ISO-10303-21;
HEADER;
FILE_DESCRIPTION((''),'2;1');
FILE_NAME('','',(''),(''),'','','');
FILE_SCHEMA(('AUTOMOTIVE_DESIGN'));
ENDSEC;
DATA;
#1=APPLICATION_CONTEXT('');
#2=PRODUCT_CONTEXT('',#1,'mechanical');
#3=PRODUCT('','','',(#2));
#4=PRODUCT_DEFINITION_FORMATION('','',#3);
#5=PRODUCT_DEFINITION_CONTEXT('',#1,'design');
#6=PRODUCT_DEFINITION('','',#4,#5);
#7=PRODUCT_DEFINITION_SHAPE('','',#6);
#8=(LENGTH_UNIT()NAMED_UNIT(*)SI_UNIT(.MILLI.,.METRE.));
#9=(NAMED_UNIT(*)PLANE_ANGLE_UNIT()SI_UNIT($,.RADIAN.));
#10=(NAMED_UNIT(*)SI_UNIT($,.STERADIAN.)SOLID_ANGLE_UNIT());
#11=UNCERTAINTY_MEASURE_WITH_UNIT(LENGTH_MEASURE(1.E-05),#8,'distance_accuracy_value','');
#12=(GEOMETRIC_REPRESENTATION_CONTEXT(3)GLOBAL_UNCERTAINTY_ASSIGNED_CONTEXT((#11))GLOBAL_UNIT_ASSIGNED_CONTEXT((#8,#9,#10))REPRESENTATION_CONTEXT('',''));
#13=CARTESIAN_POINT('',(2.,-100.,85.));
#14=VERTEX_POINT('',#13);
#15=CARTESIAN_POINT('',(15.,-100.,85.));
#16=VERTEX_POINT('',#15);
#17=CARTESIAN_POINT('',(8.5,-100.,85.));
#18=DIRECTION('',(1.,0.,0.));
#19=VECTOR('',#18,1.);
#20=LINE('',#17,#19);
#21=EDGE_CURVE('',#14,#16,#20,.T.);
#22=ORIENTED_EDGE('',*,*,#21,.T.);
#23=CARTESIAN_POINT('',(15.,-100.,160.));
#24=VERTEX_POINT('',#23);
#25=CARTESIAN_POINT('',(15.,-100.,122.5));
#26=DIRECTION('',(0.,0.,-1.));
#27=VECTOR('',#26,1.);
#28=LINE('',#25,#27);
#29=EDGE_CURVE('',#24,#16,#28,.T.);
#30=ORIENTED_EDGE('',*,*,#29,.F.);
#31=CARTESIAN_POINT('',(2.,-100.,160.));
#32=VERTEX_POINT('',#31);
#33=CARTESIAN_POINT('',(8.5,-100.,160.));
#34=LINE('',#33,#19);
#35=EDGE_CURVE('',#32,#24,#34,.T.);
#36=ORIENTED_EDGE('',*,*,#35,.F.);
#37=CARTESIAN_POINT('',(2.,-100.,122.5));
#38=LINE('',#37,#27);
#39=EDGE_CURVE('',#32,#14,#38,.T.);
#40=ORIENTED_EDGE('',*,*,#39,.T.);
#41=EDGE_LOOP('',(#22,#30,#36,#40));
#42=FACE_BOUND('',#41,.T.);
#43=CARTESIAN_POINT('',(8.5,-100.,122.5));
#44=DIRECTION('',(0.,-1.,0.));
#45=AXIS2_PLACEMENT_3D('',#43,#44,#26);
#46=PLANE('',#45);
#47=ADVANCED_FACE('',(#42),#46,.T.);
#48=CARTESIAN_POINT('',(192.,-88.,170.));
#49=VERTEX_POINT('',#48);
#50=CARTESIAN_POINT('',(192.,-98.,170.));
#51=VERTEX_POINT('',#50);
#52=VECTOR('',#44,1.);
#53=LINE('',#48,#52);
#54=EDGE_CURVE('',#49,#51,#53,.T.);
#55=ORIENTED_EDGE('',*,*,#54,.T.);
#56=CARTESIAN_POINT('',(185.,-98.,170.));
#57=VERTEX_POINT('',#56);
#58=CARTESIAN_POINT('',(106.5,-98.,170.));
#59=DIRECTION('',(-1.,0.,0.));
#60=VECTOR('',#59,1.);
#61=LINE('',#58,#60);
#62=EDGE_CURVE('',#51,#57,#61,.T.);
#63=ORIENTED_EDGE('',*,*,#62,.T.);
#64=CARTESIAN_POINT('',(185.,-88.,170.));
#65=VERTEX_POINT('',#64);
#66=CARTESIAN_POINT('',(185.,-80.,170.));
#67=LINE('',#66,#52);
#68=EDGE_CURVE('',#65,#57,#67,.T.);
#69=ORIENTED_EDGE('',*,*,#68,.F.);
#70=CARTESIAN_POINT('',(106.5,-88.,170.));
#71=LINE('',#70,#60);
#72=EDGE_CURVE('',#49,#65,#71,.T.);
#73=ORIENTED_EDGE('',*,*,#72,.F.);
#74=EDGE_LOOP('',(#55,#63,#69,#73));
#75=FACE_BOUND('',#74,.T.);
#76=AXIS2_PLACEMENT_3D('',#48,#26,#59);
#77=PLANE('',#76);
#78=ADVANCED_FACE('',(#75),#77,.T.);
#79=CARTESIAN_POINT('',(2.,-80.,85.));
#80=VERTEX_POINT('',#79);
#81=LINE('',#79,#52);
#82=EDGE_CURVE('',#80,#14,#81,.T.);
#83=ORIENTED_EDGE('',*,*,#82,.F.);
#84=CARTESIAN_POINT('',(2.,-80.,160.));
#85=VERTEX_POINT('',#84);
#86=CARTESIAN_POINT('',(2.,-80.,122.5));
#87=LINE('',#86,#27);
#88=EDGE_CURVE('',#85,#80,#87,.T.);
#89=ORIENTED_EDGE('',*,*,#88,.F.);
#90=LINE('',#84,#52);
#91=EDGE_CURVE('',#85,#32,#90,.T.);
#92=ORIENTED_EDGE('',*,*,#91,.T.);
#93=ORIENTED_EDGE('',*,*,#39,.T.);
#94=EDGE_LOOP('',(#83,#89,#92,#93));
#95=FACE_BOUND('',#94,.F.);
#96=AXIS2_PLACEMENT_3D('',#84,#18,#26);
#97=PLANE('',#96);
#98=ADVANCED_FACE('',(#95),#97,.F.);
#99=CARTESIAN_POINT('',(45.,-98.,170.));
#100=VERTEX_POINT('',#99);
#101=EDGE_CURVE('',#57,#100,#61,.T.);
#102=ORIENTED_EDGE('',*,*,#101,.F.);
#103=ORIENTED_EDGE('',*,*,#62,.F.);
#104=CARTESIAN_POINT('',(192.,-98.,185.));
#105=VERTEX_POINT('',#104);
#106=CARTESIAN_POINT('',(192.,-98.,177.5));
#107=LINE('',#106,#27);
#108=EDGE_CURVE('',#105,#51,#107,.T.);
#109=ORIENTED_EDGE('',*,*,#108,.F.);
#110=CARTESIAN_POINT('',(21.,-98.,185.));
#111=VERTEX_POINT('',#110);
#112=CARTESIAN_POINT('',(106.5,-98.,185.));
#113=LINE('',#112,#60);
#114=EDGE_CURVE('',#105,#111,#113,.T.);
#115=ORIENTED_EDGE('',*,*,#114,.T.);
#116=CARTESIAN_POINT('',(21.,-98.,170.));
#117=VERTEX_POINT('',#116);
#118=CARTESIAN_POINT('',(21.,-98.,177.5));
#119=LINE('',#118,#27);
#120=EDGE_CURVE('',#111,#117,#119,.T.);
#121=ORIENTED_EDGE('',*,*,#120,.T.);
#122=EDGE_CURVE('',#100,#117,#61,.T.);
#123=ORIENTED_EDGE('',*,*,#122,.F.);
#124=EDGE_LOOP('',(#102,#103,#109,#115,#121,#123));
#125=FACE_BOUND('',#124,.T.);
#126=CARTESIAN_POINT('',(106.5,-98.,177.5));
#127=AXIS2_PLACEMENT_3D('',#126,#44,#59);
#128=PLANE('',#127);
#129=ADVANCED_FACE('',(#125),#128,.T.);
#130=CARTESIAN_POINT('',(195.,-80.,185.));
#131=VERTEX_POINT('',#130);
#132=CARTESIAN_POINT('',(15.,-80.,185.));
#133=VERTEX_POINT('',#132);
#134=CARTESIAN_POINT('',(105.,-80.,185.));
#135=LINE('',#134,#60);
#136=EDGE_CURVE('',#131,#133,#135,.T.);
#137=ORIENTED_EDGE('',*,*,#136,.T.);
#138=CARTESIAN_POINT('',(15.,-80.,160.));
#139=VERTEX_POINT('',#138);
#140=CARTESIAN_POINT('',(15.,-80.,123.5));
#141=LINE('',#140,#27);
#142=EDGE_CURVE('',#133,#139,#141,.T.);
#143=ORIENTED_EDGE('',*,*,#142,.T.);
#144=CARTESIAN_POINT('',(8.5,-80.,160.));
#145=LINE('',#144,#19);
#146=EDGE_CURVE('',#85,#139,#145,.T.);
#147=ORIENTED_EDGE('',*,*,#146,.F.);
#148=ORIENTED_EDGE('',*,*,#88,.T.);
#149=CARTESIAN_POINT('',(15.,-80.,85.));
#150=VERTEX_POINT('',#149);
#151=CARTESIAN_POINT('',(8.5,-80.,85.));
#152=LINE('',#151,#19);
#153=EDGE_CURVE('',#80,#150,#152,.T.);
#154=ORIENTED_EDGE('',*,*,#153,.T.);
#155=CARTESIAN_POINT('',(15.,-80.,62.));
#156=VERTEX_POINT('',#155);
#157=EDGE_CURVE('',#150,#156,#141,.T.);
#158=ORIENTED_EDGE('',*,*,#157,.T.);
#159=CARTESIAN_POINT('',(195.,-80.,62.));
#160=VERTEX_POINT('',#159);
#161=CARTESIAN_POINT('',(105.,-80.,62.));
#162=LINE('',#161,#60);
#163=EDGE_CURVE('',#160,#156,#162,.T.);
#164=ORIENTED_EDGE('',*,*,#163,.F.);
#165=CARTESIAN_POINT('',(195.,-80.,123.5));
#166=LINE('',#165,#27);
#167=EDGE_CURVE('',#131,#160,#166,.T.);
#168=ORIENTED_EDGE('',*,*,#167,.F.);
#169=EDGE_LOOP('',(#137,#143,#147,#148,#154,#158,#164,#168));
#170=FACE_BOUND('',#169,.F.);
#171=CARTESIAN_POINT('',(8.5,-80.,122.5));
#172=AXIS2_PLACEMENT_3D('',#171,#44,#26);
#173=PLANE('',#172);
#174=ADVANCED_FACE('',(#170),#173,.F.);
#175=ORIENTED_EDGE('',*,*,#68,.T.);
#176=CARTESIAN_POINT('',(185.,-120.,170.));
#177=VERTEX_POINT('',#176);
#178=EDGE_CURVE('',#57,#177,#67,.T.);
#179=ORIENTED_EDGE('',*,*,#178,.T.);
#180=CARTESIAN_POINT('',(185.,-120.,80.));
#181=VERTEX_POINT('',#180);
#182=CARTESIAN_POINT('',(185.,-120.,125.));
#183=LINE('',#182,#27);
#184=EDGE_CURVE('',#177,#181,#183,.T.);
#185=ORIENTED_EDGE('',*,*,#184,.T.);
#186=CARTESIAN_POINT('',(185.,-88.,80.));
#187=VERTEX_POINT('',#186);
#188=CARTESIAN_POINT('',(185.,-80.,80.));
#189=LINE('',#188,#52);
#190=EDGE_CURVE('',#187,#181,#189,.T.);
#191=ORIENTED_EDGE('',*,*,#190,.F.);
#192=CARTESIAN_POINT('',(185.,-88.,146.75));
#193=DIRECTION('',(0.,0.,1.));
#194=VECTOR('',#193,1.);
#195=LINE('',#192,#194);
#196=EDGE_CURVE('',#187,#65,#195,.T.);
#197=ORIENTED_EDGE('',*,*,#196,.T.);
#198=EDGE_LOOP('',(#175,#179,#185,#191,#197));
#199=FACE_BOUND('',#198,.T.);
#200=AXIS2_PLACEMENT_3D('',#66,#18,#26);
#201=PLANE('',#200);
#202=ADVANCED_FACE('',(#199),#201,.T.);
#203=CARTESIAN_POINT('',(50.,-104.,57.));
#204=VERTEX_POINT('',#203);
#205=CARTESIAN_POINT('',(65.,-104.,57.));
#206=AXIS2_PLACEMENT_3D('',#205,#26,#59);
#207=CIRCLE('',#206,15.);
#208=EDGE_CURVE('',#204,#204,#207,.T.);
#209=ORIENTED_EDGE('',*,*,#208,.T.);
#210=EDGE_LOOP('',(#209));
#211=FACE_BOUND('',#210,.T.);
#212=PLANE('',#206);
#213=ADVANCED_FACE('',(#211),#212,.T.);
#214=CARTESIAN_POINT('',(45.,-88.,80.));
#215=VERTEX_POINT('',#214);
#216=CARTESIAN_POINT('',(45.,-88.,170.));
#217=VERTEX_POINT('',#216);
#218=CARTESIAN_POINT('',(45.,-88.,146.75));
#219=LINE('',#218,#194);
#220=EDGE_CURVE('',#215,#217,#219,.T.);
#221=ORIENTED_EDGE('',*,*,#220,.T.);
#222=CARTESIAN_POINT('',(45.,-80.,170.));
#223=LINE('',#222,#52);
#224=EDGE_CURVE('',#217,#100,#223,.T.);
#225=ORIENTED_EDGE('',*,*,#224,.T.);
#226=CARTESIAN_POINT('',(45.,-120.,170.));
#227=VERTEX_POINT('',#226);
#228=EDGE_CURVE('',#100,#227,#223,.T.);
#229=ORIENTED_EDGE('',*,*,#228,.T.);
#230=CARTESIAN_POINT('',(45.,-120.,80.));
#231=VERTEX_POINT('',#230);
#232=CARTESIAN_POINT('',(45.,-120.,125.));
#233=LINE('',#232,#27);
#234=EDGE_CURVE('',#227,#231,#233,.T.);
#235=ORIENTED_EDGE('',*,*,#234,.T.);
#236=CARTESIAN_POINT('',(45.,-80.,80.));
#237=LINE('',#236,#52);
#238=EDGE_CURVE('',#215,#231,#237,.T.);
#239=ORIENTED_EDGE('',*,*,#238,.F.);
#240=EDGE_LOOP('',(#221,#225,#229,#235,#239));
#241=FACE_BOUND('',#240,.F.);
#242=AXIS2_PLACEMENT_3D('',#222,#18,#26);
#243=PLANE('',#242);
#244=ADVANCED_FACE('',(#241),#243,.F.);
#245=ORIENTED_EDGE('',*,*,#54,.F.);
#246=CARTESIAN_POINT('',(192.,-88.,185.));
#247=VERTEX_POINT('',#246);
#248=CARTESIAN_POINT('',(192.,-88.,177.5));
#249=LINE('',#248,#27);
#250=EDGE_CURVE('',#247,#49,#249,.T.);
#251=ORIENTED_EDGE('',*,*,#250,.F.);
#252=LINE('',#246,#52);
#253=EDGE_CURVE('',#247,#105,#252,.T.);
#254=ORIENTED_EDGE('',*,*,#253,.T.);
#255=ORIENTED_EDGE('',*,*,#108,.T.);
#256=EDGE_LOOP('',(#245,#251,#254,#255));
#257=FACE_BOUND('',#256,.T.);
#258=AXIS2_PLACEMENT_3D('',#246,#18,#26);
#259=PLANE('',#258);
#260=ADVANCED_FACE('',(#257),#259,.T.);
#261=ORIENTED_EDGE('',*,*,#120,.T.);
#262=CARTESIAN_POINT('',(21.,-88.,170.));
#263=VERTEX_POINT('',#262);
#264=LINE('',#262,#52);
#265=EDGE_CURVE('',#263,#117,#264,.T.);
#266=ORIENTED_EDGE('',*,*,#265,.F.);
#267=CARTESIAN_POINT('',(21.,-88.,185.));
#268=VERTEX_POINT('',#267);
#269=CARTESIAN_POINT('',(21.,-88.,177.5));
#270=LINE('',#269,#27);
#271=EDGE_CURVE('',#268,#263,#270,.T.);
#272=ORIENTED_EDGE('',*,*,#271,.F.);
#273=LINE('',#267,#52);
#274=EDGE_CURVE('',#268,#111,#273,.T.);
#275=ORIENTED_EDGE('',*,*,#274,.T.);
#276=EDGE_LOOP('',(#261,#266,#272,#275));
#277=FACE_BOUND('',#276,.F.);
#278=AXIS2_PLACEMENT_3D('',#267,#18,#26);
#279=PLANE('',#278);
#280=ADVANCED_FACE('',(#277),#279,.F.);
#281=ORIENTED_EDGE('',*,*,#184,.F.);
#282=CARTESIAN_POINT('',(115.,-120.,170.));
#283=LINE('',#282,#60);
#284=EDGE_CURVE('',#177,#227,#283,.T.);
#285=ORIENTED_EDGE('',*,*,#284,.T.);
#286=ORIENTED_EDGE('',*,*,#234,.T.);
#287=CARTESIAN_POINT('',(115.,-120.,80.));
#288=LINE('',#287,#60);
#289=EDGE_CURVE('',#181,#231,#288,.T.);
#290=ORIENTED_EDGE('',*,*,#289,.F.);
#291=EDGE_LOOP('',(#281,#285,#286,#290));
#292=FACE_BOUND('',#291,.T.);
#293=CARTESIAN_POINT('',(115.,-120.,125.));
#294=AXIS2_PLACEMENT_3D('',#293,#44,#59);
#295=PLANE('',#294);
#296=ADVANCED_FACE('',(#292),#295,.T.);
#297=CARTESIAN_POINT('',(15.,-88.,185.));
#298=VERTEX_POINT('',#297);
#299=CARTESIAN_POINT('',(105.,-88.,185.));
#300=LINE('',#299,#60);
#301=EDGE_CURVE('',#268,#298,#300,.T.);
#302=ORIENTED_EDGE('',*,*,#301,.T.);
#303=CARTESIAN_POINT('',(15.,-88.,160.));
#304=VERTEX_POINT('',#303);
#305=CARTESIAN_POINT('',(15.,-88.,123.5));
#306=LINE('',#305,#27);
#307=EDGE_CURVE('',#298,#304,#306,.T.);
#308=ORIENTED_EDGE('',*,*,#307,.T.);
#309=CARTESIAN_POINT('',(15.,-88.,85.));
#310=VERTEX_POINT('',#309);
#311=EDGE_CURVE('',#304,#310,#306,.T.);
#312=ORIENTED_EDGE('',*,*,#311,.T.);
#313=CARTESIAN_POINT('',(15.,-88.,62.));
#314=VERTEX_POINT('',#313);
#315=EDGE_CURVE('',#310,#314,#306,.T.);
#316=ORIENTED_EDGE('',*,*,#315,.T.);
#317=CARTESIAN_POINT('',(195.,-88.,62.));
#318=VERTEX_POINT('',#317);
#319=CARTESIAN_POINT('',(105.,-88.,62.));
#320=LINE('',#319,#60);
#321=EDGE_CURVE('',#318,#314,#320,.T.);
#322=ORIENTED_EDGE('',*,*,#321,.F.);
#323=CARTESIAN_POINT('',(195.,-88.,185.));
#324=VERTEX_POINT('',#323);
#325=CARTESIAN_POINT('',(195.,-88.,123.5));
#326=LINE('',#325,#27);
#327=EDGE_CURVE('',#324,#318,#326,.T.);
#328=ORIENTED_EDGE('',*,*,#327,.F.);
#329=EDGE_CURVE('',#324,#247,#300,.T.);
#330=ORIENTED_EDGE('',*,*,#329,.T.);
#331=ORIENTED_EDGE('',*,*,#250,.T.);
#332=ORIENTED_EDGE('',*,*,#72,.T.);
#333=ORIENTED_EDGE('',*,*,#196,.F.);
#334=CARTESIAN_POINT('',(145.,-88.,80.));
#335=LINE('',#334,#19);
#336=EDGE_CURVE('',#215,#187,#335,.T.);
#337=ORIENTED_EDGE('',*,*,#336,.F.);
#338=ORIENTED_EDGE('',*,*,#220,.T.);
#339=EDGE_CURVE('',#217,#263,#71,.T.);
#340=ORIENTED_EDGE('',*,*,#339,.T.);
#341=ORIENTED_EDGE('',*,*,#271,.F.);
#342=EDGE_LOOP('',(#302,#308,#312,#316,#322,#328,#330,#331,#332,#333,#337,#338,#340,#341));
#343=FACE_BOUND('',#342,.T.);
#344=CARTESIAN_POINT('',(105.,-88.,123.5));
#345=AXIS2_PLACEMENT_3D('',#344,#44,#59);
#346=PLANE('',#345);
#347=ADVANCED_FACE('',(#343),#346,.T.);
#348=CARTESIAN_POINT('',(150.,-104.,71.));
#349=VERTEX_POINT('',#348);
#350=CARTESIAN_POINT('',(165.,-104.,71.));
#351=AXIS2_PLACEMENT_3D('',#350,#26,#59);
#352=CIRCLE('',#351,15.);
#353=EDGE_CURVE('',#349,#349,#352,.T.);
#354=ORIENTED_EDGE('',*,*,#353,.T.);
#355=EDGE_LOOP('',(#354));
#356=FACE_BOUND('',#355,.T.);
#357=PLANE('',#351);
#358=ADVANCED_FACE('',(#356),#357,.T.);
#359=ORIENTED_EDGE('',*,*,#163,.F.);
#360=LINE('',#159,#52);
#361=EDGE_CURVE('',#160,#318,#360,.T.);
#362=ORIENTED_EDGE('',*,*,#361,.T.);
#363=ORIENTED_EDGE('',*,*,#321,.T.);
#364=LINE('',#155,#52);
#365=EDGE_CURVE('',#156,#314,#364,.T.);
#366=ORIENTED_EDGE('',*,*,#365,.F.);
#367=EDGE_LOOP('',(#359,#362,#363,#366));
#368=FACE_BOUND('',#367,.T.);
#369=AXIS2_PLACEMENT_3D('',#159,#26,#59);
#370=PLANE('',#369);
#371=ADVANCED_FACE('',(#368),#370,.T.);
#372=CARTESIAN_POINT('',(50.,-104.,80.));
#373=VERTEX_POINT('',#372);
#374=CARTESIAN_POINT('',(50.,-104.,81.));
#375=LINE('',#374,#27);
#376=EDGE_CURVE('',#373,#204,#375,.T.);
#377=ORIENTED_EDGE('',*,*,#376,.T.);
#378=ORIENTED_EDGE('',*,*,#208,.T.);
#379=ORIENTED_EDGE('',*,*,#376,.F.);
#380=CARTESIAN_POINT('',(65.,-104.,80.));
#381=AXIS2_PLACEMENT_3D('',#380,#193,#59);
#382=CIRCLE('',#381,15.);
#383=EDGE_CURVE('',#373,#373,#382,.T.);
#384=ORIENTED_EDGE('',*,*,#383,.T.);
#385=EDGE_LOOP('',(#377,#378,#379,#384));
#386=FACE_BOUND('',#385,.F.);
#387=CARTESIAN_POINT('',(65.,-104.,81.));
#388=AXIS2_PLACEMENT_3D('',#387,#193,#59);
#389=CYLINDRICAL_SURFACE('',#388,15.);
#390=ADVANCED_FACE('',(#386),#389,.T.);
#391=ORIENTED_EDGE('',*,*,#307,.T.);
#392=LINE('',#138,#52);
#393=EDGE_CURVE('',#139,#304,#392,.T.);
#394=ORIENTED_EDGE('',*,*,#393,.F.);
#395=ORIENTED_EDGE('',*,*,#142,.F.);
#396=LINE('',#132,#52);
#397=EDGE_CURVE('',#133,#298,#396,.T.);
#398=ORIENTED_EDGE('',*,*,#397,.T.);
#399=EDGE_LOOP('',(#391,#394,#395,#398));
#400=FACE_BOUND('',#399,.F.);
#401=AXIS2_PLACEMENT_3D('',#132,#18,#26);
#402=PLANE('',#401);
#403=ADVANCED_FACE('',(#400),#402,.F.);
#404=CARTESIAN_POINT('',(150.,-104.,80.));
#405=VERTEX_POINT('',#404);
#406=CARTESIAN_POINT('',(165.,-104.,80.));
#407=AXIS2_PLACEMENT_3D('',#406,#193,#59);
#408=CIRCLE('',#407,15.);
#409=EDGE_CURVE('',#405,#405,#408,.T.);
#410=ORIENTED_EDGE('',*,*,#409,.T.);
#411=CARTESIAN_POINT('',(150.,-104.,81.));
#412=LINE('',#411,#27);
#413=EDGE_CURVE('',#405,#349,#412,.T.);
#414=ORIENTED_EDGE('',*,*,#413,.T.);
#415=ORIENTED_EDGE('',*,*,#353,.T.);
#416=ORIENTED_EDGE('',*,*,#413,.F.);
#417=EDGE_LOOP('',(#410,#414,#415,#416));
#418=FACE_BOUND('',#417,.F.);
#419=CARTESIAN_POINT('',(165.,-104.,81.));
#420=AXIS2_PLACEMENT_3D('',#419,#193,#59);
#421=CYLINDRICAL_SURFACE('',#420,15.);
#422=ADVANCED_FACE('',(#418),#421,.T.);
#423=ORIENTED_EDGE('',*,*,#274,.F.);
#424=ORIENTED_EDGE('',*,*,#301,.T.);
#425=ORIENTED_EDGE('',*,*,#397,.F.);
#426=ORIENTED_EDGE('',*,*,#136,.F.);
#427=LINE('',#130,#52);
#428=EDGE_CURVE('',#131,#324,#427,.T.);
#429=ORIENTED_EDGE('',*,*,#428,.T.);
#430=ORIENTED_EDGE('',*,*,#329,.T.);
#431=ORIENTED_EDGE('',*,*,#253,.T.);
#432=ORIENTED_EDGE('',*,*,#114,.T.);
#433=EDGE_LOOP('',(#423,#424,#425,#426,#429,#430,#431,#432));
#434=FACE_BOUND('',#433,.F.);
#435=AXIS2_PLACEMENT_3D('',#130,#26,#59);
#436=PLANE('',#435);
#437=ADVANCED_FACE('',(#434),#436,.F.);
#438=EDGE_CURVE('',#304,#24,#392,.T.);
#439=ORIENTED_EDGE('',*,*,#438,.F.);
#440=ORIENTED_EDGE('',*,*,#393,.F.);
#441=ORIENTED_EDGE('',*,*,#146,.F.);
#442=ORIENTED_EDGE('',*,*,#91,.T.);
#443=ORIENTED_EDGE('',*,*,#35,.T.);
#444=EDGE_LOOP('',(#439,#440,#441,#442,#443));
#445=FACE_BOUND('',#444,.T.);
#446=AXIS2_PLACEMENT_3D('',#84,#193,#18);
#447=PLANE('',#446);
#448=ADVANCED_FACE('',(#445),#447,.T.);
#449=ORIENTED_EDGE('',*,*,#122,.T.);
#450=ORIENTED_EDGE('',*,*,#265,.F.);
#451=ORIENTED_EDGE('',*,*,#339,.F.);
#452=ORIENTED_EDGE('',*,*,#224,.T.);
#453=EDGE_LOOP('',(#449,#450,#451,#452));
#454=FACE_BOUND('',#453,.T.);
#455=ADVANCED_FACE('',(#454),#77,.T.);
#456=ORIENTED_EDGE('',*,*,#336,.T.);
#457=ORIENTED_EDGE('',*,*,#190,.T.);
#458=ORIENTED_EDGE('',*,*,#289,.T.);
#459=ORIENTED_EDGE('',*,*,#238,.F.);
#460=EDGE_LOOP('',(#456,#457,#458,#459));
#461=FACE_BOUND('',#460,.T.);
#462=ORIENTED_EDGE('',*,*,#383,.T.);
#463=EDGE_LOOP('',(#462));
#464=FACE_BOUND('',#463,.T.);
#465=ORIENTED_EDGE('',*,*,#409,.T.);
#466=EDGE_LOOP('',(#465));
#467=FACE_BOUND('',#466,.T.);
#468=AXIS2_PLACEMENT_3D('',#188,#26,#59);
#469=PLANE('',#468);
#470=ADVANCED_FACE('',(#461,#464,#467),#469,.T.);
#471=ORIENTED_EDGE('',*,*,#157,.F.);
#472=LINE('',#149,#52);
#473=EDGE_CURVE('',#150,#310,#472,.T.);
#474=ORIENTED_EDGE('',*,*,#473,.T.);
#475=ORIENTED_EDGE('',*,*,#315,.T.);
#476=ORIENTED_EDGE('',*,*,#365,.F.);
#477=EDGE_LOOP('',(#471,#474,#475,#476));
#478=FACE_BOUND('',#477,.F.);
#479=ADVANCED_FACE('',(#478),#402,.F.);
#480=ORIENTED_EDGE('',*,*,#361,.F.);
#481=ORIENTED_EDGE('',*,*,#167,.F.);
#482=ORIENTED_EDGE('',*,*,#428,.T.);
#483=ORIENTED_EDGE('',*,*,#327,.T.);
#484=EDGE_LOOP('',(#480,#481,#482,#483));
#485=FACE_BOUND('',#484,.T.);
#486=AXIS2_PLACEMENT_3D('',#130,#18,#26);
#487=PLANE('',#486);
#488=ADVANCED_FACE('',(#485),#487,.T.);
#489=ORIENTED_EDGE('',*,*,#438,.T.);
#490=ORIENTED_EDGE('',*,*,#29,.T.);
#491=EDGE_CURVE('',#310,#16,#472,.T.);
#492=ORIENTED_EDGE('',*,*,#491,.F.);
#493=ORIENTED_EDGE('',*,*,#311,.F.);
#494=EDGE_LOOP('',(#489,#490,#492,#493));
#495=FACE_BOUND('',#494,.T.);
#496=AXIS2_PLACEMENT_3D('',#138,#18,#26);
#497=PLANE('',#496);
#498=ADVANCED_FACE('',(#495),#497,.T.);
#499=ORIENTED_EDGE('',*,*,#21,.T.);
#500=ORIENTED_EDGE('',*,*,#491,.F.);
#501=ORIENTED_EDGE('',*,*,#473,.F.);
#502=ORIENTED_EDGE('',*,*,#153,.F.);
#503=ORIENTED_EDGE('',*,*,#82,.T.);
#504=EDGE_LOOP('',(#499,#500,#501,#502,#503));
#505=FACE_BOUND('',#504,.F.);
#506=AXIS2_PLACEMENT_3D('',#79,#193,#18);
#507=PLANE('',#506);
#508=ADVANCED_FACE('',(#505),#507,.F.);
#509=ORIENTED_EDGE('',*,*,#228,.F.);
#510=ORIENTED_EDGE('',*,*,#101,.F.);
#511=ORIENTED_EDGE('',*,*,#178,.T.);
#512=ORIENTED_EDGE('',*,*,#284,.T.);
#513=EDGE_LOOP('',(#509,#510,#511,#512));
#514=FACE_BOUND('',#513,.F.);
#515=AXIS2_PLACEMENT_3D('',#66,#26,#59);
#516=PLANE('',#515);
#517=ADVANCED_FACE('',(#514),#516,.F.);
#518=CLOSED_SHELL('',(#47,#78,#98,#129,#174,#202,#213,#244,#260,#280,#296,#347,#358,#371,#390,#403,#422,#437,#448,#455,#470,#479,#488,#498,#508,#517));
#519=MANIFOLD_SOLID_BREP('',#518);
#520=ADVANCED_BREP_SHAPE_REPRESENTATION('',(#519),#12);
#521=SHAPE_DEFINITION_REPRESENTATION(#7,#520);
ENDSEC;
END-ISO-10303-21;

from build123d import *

# Parameters (mm, degrees)
BOX044_W                  = 180
BOX044_H                  = 123
BOX044_DEPTH              = 8
BOX045_W                  = 140
BOX045_H                  = 90
BOX045_DEPTH              = 40
CYLINDER019_R             = 15
CYLINDER019_DEPTH         = 10
CYLINDER020_R             = 15
CYLINDER020_DEPTH         = 24
BOX046_W                  = 75
BOX046_H                  = 13
BOX046_DEPTH              = 20
BOX047_W                  = 171
BOX047_H                  = 15
BOX047_DEPTH              = 10
FUSION013_ROLL_ANGLE      = -90
FUSION013_PLACEMENT_ANGLE = -180


with BuildPart() as cube039:
    # Box044 → Box044 (new body)
    with BuildSketch(Plane.XY):
        with Locations((90, 61.5)):
            Rectangle(BOX044_W, BOX044_H)
    extrude(amount=BOX044_DEPTH)


with BuildPart() as cube040:
    # Box045 → Box045 (new body)
    with BuildSketch(Plane(origin=(10, 15, 0), x_dir=(1, 0, 0), z_dir=(0, 0, 1))):
        with Locations((70, 45)):
            Rectangle(BOX045_W, BOX045_H)
    extrude(amount=BOX045_DEPTH)


with BuildPart() as cylinder019:
    # Cylinder019 → Cylinder019 (new body)
    with BuildSketch(Plane(origin=(30, 104, 24), x_dir=(1, 0, 0), z_dir=(0, 1, 0))):
        Circle(CYLINDER019_R)
    extrude(amount=CYLINDER019_DEPTH)


with BuildPart() as cylinder020:
    # Cylinder020 → Cylinder020 (new body)
    with BuildSketch(Plane(origin=(130, 104, 24), x_dir=(1, 0, 0), z_dir=(0, 1, 0))):
        Circle(CYLINDER020_R)
    extrude(amount=CYLINDER020_DEPTH)


with BuildPart() as cube041:
    # Box046 → Box046 (new body)
    with BuildSketch(Plane(origin=(193, 25, 0), x_dir=(0, 1, 0), z_dir=(0, 0, 1))):
        with Locations((37.5, 6.5)):
            Rectangle(BOX046_W, BOX046_H)
    extrude(amount=BOX046_DEPTH)


with BuildPart() as f_120_back:
    # Box047 → Box047 (new body)
    with BuildSketch(Plane(origin=(3, 0, 8), x_dir=(1, 0, 0), z_dir=(0, 0, 1))):
        with Locations((85.5, 7.5)):
            Rectangle(BOX047_W, BOX047_H)
    extrude(amount=BOX047_DEPTH)

    # Fusion013: union Cube039, Cube040, Cylinder019, Cylinder020, Cube041
    add(cube039.part)
    add(cube040.part)
    add(cylinder019.part)
    add(cylinder020.part)
    add(cube041.part)


with BuildPart() as f_120_back_1:
    # Fusion013 roll: moved
    add(f_120_back.part.rotate(Axis((0, 0, 0), (1, 0, 0)), FUSION013_ROLL_ANGLE))


with BuildPart() as f_120_back_2:
    # Fusion013 placement: moved
    add(f_120_back_1.part.moved(Location((195, -80, 185))).rotate(Axis((195, -80, 185), (0, 0, 1)), FUSION013_PLACEMENT_ANGLE))


solid = f_120_back_2.part
